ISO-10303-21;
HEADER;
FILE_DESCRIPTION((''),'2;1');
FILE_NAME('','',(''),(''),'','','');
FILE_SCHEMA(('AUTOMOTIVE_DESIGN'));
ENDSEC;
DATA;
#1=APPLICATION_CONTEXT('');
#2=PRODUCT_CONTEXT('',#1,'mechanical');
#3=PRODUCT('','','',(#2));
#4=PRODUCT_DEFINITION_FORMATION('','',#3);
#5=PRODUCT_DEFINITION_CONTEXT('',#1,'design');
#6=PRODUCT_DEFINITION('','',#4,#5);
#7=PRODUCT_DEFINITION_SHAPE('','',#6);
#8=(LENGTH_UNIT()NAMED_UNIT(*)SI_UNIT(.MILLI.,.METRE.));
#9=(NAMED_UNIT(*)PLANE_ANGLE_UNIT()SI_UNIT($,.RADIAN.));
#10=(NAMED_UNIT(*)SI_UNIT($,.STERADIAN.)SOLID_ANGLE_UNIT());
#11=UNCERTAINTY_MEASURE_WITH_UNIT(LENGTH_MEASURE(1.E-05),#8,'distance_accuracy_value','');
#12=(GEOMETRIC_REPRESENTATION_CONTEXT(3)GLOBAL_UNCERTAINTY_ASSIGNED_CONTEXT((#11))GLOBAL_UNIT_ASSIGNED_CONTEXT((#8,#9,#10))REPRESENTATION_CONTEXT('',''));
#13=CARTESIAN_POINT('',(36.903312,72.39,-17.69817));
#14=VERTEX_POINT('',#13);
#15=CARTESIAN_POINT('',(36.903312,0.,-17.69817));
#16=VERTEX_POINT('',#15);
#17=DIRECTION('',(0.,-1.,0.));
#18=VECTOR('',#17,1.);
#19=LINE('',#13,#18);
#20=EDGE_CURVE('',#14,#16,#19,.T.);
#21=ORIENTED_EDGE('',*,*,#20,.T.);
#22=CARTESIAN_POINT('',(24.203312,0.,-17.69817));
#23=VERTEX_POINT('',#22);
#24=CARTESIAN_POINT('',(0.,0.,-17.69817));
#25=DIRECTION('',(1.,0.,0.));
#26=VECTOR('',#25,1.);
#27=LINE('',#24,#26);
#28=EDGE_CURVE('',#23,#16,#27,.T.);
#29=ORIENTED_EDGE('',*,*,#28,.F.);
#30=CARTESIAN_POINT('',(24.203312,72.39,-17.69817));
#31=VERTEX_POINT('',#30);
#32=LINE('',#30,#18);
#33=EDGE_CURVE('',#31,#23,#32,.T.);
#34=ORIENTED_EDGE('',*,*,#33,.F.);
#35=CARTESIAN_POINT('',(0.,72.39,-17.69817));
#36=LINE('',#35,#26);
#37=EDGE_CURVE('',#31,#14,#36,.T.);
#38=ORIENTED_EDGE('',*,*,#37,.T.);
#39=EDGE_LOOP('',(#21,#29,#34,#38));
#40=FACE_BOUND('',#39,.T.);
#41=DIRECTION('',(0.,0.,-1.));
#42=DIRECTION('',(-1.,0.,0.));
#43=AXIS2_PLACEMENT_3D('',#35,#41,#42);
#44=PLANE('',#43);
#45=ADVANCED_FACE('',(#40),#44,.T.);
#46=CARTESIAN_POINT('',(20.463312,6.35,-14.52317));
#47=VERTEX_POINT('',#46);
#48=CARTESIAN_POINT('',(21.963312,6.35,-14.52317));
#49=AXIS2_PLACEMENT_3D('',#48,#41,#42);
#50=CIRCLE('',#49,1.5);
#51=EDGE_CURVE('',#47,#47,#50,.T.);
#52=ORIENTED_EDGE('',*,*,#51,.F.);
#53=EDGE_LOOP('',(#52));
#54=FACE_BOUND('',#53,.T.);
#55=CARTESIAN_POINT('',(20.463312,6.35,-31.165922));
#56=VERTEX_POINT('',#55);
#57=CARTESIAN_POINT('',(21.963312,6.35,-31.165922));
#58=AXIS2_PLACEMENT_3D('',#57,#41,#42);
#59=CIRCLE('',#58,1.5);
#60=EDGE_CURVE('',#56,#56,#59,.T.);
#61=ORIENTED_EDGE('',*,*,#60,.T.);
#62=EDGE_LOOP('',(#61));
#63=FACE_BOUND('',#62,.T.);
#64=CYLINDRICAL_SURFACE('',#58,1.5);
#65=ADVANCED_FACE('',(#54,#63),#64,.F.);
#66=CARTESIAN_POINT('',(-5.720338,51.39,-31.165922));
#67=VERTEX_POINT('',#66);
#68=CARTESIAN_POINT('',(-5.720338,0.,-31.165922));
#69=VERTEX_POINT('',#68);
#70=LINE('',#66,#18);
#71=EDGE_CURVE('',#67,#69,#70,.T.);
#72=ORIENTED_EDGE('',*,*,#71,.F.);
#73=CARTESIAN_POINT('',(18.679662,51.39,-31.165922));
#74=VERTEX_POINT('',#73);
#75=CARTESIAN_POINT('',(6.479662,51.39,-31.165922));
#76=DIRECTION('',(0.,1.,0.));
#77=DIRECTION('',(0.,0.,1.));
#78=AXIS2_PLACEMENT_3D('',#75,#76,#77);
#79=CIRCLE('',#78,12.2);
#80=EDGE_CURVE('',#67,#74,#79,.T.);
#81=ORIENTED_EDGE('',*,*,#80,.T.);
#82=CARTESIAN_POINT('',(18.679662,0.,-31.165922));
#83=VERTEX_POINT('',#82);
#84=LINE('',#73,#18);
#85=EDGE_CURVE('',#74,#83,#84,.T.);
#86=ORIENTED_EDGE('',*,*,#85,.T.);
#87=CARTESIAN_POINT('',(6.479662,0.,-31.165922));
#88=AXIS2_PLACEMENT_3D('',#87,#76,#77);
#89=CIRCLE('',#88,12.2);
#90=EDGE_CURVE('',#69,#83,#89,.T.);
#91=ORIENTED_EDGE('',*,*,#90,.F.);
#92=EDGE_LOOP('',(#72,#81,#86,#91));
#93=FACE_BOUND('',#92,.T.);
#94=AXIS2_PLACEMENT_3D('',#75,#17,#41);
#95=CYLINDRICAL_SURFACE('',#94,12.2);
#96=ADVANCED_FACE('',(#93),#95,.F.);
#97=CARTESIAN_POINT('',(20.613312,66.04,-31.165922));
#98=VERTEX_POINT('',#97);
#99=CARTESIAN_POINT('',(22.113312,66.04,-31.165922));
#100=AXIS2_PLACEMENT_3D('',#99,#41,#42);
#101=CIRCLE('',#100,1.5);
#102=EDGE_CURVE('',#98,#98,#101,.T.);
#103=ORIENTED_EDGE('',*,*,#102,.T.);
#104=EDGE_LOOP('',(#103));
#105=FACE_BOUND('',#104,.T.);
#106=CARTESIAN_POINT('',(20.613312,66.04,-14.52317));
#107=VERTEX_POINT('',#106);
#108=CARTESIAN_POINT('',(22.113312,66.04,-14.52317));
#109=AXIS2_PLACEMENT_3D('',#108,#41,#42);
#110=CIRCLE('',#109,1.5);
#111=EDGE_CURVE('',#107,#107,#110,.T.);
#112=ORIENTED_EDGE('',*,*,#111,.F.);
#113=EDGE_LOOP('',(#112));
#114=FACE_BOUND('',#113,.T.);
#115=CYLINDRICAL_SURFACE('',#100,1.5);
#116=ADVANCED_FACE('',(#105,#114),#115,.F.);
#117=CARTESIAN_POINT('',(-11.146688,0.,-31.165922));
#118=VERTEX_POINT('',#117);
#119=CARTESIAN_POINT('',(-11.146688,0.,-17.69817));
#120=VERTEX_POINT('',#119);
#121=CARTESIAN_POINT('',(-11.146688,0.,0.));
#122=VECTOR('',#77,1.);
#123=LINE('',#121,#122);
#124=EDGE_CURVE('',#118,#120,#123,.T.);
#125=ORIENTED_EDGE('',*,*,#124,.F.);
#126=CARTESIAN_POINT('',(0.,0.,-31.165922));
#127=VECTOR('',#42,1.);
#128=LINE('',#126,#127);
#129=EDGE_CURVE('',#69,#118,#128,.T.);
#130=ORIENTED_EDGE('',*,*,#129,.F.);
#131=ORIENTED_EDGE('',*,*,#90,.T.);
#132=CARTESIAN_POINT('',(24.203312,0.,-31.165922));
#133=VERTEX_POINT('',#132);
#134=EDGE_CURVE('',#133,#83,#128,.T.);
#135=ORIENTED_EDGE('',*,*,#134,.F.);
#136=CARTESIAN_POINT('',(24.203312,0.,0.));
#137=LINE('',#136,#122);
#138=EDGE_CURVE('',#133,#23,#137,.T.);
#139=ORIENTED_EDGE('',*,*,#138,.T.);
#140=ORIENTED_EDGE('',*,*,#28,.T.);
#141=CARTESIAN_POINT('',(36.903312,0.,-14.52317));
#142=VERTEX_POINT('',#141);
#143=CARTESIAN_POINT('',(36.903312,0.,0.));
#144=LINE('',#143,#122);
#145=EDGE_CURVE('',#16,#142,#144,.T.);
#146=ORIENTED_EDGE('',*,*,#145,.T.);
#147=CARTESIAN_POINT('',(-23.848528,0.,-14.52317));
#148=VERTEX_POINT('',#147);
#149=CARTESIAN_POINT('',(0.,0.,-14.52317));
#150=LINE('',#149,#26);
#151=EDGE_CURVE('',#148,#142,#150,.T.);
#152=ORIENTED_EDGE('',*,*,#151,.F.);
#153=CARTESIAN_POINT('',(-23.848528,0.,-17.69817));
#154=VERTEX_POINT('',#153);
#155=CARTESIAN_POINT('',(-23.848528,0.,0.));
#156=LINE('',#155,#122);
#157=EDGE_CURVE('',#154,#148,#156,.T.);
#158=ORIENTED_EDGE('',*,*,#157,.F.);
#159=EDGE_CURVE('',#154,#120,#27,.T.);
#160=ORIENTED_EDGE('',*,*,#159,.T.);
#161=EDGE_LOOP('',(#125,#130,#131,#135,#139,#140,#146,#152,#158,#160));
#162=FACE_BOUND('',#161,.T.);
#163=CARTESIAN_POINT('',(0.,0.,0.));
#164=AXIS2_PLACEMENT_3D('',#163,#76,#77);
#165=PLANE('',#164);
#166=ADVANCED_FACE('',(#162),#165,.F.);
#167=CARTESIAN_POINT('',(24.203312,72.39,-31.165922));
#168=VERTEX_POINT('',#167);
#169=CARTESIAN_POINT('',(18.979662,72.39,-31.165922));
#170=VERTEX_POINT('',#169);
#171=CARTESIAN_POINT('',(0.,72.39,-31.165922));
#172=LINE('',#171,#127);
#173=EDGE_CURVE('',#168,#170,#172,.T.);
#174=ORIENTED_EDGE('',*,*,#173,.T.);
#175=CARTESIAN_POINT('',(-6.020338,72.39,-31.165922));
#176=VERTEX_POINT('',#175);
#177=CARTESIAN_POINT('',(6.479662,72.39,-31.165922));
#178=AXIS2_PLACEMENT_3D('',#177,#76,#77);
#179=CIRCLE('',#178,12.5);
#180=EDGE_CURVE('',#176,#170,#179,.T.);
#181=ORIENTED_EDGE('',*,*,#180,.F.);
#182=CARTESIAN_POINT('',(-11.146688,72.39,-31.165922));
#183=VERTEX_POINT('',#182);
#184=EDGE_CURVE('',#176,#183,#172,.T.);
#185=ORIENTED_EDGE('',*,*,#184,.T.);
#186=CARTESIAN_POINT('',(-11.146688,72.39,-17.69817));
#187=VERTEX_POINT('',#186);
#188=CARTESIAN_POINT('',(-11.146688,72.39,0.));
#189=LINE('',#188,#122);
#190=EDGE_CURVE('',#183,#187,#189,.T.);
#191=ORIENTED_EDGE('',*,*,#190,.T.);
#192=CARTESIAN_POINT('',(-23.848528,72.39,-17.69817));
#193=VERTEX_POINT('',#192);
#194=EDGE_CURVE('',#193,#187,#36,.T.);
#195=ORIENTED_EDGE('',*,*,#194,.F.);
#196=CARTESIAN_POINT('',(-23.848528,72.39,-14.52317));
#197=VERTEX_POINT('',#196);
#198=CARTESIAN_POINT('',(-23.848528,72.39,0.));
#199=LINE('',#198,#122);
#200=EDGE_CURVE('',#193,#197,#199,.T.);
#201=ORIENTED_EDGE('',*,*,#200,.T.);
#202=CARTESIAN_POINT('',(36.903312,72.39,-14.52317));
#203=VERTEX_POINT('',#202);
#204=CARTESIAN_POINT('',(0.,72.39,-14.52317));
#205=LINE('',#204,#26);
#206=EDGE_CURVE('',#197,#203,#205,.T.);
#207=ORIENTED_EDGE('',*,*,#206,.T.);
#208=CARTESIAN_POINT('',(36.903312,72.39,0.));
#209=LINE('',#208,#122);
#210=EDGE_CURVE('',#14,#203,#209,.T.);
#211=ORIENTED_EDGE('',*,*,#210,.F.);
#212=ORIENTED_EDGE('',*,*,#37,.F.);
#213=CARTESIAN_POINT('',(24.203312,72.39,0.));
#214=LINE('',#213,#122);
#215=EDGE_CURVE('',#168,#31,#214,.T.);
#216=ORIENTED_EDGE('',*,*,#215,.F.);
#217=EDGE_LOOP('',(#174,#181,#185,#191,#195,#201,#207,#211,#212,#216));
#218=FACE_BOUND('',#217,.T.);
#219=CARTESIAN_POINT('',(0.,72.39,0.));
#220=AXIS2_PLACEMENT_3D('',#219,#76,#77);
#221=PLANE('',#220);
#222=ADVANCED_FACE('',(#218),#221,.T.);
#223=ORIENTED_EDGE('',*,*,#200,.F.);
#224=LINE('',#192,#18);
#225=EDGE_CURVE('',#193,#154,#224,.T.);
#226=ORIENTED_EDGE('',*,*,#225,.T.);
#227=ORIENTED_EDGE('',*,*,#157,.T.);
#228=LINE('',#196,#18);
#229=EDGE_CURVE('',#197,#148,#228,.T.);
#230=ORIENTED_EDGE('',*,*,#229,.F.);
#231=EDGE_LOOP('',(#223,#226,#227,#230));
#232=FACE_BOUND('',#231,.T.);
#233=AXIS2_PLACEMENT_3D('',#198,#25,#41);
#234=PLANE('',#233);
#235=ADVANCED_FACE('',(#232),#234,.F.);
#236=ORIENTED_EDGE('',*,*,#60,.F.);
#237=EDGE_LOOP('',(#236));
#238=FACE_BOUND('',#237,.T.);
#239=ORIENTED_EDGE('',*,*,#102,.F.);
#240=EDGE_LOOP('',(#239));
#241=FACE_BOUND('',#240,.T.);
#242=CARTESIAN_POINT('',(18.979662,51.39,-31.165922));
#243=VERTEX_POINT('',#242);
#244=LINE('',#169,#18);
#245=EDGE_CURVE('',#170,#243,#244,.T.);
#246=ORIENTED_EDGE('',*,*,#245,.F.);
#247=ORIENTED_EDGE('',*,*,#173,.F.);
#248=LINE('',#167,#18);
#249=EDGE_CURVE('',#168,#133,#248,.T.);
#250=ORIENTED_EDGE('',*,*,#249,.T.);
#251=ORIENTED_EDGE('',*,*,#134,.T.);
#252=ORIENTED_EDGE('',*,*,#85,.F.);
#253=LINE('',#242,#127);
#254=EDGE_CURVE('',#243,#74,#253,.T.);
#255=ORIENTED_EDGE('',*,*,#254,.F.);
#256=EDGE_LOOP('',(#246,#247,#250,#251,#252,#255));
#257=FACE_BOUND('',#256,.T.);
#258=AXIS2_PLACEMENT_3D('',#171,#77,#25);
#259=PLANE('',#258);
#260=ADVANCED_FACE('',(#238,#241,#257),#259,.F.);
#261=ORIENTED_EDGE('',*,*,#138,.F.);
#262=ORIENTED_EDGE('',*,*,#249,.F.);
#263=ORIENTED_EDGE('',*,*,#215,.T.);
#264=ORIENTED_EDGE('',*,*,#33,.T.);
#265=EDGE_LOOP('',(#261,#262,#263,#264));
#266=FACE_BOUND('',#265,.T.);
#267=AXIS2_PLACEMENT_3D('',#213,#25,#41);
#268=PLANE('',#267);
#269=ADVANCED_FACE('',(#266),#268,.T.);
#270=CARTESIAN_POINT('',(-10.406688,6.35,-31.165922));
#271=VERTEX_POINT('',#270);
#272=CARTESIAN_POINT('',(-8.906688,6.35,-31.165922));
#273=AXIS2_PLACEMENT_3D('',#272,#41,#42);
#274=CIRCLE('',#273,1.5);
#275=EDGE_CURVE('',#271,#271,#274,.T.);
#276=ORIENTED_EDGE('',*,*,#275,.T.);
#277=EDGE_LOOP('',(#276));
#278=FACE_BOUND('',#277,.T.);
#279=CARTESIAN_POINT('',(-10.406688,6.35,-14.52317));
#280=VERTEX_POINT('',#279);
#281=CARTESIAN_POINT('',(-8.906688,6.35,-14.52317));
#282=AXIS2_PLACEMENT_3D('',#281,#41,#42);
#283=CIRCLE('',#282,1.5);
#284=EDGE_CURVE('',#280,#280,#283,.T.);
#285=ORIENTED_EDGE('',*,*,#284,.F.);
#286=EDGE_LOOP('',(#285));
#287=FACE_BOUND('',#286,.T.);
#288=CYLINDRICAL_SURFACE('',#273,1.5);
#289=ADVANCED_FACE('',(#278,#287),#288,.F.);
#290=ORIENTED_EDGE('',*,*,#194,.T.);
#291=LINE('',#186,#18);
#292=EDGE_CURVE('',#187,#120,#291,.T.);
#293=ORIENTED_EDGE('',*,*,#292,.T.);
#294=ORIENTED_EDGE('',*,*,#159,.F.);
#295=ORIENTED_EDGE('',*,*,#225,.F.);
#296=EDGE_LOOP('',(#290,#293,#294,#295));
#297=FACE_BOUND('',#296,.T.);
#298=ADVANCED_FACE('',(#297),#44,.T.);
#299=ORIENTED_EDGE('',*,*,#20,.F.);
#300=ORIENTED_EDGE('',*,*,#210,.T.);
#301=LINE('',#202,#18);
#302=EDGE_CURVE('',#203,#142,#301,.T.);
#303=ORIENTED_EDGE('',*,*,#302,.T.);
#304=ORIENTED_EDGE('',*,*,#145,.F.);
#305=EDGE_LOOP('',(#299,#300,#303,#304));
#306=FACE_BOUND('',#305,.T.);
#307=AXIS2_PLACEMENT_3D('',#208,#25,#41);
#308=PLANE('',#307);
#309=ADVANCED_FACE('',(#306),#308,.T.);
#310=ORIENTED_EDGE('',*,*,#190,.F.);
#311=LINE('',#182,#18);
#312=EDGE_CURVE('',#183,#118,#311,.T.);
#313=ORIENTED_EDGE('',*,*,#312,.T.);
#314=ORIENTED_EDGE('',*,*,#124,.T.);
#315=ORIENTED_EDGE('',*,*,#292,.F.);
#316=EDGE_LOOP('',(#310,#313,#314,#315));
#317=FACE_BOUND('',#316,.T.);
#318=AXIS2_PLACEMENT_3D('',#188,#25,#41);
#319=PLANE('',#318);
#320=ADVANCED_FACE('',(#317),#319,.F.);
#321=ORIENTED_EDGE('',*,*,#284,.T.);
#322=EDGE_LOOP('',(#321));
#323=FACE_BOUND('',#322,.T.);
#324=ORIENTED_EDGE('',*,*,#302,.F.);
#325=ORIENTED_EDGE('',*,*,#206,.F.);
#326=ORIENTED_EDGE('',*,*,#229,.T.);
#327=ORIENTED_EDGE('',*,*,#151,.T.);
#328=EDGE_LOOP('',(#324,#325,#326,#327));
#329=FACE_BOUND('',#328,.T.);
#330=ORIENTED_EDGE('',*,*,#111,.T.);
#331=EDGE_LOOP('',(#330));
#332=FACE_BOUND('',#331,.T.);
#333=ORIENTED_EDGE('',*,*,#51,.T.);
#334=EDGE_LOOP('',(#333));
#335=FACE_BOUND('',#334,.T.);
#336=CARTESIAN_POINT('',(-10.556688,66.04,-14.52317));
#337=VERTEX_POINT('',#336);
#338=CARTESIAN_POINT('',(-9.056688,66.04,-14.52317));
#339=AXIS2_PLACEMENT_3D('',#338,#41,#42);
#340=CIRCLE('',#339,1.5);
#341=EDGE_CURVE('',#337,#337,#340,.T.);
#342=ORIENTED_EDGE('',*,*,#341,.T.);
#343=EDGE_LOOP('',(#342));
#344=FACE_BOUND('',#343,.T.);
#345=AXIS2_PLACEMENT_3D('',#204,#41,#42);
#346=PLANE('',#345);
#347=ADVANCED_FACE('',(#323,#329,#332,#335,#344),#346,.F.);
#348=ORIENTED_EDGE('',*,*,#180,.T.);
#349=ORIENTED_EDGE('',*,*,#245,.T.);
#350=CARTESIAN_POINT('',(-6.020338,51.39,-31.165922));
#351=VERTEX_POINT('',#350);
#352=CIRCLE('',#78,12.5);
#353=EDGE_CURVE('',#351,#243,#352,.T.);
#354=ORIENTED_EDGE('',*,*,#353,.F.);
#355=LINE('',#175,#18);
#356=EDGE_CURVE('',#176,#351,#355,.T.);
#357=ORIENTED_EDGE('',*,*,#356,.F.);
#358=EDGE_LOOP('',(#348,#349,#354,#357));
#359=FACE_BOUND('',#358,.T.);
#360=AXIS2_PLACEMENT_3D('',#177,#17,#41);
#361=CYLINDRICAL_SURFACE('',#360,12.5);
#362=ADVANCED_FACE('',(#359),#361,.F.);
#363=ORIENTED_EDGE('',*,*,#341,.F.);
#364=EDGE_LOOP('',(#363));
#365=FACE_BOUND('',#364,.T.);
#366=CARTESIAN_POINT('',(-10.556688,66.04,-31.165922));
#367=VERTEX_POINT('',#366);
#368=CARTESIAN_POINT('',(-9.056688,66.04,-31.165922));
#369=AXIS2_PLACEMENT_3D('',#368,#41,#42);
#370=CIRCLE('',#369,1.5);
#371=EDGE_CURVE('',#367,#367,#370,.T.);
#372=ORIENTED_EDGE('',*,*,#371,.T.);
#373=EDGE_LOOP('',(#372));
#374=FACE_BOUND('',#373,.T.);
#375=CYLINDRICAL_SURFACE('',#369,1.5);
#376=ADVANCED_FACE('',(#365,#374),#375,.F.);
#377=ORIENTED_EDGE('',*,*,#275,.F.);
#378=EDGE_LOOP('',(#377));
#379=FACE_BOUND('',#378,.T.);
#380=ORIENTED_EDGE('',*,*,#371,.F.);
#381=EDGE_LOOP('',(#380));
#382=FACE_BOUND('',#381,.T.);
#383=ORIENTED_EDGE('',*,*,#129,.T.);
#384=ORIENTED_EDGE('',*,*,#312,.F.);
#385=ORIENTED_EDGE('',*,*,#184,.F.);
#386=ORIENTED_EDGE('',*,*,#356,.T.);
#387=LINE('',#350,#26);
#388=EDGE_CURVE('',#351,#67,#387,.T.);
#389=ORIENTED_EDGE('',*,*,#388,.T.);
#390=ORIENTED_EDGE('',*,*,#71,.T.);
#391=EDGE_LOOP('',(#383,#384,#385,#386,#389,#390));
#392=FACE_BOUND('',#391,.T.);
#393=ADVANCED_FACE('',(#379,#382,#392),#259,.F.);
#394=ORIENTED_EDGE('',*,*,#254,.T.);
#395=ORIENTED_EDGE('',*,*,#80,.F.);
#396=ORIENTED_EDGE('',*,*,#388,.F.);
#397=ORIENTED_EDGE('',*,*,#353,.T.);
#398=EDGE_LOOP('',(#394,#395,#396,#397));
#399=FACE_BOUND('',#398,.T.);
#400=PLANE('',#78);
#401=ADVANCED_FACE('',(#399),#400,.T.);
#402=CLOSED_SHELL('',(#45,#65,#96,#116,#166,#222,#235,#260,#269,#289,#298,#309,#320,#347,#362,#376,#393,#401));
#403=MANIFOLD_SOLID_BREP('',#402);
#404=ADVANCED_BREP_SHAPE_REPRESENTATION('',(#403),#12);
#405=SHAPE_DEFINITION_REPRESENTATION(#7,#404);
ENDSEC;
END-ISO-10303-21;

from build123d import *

# Parameters (mm, degrees)
BOSS_EXTRUDE3_DEPTH   = 72.39
BOSS_EXTRUDE4_DEPTH   = 51.39
F_3_0MM_DOWEL_HOLE4_D = 3


with BuildPart() as part:
    # Sketch1 → Boss-Extrude3 (new body)
    with BuildSketch(Plane(origin=(0, 0, 0), x_dir=(1, 0, 0), z_dir=(0, 1, 0))):
        with BuildLine():
            Line((-11.1466884, 17.698170271), (-23.8485284, 17.698170271))
            Line((-23.8485284, 17.698170271), (-23.8485284, 14.523170271))
            Line((-23.8485284, 14.523170271), (36.9033116, 14.523170271))
            Line((36.9033116, 14.523170271), (36.9033116, 17.698170271))
            Line((36.9033116, 17.698170271), (24.2033116, 17.698170271))
            Line((24.2033116, 17.698170271), (24.2033116, 31.16592192))
            Line((24.2033116, 31.16592192), (18.979662229, 31.16592192))
            ThreePointArc((18.979662229, 31.16592192), (6.479662229, 18.665921919), (-6.020337771, 31.16592192))
            Line((-6.020337771, 31.16592192), (-11.1466884, 31.16592192))
            Line((-11.1466884, 31.16592192), (-11.1466884, 17.698170271))
        make_face()
    extrude(amount=BOSS_EXTRUDE3_DEPTH)

    # Sketch1<13> → Boss-Extrude4 (add)
    with BuildSketch(Plane(origin=(0, 0, 0), x_dir=(1, 0, 0), z_dir=(0, 1, 0))):
        with BuildLine():
            Line((-6.020337771, 31.16592192), (-5.720337771, 31.16592192))
            ThreePointArc((-5.720337771, 31.16592192), (6.479662229, 18.965921919), (18.679662229, 31.16592192))
            Line((18.679662229, 31.16592192), (18.979662229, 31.16592192))
            ThreePointArc((18.979662229, 31.16592192), (6.479662229, 18.665921919), (-6.020337771, 31.16592192))
        make_face()
    extrude(amount=BOSS_EXTRUDE4_DEPTH)

    # Ø3.0mm Dowel Hole4 (through all)
    with Locations(Plane(origin=(0, 0, -31.16592192), x_dir=(-1, 0, 0), z_dir=(0, 0, -1))):
        with Locations((-22.1133116, 66.04), (9.0566884, 66.04), (8.9066884, 6.35), (-21.9633116, 6.35)):
            Hole(F_3_0MM_DOWEL_HOLE4_D / 2)


solid = part.part
